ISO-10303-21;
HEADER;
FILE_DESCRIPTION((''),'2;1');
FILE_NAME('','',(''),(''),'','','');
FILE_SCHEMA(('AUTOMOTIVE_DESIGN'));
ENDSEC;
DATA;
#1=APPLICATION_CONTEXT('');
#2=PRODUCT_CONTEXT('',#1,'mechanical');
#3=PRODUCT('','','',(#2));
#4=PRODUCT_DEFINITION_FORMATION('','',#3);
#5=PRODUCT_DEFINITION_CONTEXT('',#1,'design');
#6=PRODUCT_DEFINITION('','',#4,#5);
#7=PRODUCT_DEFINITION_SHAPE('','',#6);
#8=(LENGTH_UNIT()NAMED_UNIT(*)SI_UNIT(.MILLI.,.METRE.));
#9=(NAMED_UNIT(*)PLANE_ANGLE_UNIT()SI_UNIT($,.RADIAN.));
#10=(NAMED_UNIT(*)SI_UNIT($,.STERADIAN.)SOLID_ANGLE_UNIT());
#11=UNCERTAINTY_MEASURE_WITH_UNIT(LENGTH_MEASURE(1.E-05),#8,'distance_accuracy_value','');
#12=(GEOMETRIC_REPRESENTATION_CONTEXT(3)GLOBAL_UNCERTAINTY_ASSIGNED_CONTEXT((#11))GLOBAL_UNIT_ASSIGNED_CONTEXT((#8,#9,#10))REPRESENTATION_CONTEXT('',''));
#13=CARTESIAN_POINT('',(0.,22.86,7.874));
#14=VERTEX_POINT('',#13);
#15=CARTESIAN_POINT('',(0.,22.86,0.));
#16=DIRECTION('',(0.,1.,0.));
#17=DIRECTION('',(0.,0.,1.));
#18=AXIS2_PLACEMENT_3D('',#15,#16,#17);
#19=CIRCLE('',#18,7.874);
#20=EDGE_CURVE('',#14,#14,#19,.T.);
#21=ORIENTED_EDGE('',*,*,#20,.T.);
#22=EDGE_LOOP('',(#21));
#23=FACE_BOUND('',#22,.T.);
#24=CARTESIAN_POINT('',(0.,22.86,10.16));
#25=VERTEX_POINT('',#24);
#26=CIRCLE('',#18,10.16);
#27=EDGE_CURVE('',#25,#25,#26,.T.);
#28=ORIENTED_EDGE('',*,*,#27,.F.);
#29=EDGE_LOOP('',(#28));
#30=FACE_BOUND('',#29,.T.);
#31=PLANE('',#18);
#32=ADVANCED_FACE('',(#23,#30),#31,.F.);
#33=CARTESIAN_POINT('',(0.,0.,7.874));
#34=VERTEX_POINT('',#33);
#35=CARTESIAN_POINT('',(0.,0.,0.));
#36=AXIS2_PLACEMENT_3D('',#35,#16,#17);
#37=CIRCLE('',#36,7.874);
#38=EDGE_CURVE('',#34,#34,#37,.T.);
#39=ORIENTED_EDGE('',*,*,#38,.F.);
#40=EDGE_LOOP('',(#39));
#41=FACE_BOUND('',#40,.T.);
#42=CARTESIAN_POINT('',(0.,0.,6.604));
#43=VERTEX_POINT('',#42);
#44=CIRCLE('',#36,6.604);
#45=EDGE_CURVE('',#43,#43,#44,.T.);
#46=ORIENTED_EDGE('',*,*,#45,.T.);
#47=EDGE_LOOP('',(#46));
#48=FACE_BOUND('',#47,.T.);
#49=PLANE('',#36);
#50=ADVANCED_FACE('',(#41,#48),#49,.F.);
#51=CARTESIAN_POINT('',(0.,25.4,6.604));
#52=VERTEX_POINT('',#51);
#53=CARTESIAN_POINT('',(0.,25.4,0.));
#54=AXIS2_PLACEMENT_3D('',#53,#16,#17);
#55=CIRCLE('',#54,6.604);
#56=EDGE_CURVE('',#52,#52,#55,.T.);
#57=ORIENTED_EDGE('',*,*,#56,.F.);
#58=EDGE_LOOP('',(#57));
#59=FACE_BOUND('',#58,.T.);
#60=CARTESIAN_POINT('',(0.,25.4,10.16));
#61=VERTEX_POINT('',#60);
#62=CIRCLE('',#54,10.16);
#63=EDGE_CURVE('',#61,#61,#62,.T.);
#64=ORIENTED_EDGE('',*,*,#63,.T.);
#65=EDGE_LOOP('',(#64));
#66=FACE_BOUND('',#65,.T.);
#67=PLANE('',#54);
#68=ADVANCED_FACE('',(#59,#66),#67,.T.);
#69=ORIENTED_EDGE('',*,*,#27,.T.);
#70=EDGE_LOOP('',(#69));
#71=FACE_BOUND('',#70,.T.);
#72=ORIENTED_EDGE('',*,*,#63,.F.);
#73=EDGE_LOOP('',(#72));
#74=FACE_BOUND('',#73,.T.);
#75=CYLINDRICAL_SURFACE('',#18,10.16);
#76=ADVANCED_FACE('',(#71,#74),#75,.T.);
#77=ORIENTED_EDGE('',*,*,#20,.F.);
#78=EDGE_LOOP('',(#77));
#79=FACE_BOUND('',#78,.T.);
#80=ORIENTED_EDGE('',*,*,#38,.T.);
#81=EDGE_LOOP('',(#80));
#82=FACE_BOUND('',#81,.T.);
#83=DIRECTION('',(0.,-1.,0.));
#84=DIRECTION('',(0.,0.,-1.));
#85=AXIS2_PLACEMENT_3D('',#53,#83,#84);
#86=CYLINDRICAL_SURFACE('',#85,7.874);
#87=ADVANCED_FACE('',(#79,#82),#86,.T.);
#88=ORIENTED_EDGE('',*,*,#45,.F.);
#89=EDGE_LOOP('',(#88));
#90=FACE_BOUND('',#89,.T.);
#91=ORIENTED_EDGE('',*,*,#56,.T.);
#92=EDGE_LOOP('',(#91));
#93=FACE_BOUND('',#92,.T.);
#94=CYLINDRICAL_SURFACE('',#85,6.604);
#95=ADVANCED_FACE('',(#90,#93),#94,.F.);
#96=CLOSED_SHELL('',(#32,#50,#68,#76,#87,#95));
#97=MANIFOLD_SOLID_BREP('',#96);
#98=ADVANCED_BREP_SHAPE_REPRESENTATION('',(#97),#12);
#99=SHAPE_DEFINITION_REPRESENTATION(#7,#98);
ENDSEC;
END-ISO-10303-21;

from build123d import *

# Parameters (mm, degrees)
SKETCH1_R           = 7.874
SKETCH1_R_2         = 6.604
BOSS_EXTRUDE1_DEPTH = 25.4
SKETCH2_R           = 10.16
SKETCH2_R_2         = 7.62
EXTRUDE_THIN1_DEPTH = 2.54


with BuildPart() as part:
    # Sketch1 → Boss-Extrude1 (new body)
    with BuildSketch(Plane(origin=(0, 0, 0), x_dir=(1, 0, 0), z_dir=(0, 1, 0))):
        Circle(SKETCH1_R)
        Circle(SKETCH1_R_2, mode=Mode.SUBTRACT)
    extrude(amount=BOSS_EXTRUDE1_DEPTH)

    # Sketch2 → Extrude-Thin1 (add)
    with BuildSketch(Plane(origin=(0, 25.4, 0), x_dir=(1, 0, 0), z_dir=(0, 1, 0))):
        Circle(SKETCH2_R)
        Circle(SKETCH2_R_2, mode=Mode.SUBTRACT)
    extrude(amount=-EXTRUDE_THIN1_DEPTH)


solid = part.part
